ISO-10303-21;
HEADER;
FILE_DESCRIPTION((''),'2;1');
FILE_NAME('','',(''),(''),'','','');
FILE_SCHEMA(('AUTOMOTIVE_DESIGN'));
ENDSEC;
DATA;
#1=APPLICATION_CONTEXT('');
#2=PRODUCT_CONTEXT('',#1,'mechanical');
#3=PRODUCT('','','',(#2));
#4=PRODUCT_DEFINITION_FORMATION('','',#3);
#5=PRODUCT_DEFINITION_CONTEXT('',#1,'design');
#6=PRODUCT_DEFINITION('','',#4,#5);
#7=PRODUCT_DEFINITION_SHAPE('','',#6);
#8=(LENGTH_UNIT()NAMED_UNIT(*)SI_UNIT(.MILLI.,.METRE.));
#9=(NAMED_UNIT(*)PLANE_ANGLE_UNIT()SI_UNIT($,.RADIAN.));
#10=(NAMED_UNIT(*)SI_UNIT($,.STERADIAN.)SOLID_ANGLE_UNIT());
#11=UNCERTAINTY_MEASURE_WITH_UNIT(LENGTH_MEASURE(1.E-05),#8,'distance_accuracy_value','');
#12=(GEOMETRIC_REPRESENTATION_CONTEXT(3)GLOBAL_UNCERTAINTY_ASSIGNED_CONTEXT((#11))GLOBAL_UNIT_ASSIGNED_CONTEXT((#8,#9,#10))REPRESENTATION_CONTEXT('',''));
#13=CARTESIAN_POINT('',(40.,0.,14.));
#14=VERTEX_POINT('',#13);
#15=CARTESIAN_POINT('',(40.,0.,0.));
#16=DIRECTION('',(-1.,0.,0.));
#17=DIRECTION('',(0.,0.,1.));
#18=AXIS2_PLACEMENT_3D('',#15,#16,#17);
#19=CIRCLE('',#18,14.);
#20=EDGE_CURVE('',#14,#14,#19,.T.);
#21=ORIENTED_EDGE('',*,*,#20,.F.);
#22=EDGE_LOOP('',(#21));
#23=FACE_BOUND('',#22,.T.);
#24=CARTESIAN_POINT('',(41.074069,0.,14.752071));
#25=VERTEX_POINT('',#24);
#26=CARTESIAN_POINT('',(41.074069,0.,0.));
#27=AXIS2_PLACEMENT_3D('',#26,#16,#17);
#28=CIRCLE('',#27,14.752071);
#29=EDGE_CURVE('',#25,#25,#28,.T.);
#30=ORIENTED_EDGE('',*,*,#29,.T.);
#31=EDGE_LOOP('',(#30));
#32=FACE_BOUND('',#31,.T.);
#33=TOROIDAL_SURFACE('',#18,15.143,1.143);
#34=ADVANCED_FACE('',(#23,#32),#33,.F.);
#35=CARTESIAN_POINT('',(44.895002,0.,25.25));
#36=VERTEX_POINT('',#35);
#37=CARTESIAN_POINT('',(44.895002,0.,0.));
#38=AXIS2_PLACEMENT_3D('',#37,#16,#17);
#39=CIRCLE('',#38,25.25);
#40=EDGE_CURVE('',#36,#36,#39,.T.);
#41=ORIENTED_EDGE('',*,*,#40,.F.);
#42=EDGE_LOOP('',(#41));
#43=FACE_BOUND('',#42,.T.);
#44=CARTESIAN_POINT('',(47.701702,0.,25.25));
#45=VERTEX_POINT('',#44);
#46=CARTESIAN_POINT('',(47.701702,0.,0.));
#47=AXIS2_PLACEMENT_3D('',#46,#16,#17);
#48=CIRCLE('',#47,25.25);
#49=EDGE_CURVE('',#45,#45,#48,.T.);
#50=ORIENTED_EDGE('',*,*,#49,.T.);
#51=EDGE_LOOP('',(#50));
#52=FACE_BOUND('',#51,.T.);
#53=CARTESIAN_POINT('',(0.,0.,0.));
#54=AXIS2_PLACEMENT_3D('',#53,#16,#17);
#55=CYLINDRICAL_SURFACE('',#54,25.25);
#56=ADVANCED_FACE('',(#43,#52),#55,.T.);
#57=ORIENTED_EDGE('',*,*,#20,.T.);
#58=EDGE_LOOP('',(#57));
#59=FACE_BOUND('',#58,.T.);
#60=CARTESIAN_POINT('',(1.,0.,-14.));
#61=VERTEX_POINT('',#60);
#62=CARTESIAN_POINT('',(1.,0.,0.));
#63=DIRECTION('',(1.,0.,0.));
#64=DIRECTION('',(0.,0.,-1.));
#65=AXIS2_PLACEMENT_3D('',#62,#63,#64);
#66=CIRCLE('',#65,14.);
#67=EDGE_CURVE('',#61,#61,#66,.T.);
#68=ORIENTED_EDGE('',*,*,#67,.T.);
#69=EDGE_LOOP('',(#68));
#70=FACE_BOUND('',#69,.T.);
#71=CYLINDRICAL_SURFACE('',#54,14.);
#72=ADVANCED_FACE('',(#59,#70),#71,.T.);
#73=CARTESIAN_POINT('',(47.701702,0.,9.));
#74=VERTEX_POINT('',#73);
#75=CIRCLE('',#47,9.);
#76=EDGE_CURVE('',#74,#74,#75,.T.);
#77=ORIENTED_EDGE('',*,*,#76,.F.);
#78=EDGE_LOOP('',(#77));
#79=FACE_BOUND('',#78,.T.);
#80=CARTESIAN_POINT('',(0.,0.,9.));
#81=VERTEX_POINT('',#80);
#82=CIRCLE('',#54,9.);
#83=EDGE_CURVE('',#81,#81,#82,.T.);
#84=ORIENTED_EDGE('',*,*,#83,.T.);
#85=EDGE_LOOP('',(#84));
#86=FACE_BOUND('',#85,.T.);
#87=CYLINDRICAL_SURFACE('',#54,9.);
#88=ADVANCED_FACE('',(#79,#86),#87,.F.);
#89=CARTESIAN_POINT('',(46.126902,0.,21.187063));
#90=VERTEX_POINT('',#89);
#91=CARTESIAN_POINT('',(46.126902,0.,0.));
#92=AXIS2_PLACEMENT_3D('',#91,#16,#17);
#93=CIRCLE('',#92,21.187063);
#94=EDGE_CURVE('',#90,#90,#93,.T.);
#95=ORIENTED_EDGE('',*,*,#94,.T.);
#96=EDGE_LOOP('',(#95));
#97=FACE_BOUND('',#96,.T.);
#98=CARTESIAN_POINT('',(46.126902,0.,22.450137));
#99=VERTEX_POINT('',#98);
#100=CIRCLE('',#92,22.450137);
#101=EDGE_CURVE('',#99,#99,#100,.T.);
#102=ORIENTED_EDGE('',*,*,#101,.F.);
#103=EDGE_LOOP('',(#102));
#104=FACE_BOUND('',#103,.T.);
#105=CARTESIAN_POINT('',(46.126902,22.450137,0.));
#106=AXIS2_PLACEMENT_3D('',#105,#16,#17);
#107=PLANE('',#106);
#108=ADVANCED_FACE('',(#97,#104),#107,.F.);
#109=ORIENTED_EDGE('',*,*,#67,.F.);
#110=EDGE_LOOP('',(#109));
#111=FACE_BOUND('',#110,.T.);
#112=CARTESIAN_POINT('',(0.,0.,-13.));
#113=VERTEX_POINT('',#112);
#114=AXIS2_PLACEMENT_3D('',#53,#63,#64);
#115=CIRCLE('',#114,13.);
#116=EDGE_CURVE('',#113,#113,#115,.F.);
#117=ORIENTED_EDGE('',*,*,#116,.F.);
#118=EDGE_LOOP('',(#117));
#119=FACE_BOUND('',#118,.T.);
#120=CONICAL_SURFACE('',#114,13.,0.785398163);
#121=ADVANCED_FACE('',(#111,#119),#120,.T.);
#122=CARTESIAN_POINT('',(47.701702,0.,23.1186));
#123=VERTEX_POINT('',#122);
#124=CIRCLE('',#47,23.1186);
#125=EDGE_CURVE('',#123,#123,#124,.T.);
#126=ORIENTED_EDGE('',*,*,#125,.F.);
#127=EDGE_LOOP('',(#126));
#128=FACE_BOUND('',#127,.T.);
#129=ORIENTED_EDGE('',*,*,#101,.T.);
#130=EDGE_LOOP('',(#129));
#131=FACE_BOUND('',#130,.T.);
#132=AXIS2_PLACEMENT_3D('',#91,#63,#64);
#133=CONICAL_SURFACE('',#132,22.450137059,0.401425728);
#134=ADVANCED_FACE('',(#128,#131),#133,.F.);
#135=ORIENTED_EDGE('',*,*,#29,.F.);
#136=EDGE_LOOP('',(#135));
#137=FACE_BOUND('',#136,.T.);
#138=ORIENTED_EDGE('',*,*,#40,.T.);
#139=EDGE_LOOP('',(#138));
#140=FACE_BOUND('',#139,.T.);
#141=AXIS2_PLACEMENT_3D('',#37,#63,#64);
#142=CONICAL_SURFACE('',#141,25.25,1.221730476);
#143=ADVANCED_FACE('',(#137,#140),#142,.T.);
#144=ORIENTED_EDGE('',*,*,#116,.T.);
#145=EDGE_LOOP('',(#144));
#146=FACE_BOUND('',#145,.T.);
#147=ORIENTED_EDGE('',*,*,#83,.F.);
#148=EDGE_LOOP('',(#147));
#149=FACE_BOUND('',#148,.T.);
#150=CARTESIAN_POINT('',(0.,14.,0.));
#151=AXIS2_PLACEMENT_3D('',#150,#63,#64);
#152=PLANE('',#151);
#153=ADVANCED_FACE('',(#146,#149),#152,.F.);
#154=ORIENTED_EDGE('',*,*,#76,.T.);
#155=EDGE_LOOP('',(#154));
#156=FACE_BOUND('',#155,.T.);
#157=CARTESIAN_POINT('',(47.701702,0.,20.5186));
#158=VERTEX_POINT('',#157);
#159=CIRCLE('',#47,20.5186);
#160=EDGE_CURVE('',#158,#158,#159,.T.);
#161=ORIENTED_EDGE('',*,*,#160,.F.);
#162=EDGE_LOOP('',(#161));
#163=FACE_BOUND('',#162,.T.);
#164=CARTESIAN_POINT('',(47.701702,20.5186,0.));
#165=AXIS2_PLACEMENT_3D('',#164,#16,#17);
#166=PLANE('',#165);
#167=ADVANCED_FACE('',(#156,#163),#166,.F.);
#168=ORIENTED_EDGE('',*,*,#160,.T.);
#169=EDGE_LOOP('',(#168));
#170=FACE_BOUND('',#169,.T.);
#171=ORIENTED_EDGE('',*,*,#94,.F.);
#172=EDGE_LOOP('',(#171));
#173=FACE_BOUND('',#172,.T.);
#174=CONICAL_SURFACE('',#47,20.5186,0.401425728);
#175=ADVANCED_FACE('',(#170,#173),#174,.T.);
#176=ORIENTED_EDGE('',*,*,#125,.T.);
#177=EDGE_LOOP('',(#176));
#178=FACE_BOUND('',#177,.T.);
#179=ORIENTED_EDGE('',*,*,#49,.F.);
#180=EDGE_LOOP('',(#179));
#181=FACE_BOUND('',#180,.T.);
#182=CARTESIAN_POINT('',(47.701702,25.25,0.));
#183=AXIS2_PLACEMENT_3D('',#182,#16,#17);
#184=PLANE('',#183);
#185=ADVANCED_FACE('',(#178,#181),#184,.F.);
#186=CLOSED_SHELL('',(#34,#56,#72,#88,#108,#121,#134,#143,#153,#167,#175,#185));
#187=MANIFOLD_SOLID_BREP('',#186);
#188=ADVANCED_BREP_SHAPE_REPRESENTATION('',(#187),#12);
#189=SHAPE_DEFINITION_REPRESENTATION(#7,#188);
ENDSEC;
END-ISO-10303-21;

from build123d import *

# Parameters (mm, degrees)
CHAMFER3_SIZE = 1


with BuildPart() as part:
    # Sketch1 → Revolve1 (revolve)
    with BuildSketch(Plane.XY):
        with BuildLine():
            Line((41.074068666, 14.752070976), (44.895002352, 25.25))
            Line((44.895002352, 25.25), (47.701702352, 25.25))
            Line((47.701702352, 25.25), (47.701702352, 23.1186))
            Line((47.701702352, 23.1186), (46.126902352, 22.450137059))
            Line((46.126902352, 22.450137059), (46.126902352, 21.187062941))
            Line((46.126902352, 21.187062941), (47.701702352, 20.5186))
            Line((47.701702352, 20.5186), (47.701702352, 9))
            Line((47.701702352, 9), (0, 9))
            Line((0, 9), (0, 14))
            Line((0, 14), (40, 14))
            ThreePointArc((40, 14), (40.655597867, 14.206709213), (41.074068666, 14.752070976))
        make_face()
    revolve(axis=Axis((0, 0, 0), (1, 0, 0)))

    # Chamfer3
    chamfer3_edges = [part.edges().sort_by_distance(p)[0] for p in [
        (0, -14, 0),
    ]]
    chamfer(chamfer3_edges, length=CHAMFER3_SIZE)


solid = part.part
